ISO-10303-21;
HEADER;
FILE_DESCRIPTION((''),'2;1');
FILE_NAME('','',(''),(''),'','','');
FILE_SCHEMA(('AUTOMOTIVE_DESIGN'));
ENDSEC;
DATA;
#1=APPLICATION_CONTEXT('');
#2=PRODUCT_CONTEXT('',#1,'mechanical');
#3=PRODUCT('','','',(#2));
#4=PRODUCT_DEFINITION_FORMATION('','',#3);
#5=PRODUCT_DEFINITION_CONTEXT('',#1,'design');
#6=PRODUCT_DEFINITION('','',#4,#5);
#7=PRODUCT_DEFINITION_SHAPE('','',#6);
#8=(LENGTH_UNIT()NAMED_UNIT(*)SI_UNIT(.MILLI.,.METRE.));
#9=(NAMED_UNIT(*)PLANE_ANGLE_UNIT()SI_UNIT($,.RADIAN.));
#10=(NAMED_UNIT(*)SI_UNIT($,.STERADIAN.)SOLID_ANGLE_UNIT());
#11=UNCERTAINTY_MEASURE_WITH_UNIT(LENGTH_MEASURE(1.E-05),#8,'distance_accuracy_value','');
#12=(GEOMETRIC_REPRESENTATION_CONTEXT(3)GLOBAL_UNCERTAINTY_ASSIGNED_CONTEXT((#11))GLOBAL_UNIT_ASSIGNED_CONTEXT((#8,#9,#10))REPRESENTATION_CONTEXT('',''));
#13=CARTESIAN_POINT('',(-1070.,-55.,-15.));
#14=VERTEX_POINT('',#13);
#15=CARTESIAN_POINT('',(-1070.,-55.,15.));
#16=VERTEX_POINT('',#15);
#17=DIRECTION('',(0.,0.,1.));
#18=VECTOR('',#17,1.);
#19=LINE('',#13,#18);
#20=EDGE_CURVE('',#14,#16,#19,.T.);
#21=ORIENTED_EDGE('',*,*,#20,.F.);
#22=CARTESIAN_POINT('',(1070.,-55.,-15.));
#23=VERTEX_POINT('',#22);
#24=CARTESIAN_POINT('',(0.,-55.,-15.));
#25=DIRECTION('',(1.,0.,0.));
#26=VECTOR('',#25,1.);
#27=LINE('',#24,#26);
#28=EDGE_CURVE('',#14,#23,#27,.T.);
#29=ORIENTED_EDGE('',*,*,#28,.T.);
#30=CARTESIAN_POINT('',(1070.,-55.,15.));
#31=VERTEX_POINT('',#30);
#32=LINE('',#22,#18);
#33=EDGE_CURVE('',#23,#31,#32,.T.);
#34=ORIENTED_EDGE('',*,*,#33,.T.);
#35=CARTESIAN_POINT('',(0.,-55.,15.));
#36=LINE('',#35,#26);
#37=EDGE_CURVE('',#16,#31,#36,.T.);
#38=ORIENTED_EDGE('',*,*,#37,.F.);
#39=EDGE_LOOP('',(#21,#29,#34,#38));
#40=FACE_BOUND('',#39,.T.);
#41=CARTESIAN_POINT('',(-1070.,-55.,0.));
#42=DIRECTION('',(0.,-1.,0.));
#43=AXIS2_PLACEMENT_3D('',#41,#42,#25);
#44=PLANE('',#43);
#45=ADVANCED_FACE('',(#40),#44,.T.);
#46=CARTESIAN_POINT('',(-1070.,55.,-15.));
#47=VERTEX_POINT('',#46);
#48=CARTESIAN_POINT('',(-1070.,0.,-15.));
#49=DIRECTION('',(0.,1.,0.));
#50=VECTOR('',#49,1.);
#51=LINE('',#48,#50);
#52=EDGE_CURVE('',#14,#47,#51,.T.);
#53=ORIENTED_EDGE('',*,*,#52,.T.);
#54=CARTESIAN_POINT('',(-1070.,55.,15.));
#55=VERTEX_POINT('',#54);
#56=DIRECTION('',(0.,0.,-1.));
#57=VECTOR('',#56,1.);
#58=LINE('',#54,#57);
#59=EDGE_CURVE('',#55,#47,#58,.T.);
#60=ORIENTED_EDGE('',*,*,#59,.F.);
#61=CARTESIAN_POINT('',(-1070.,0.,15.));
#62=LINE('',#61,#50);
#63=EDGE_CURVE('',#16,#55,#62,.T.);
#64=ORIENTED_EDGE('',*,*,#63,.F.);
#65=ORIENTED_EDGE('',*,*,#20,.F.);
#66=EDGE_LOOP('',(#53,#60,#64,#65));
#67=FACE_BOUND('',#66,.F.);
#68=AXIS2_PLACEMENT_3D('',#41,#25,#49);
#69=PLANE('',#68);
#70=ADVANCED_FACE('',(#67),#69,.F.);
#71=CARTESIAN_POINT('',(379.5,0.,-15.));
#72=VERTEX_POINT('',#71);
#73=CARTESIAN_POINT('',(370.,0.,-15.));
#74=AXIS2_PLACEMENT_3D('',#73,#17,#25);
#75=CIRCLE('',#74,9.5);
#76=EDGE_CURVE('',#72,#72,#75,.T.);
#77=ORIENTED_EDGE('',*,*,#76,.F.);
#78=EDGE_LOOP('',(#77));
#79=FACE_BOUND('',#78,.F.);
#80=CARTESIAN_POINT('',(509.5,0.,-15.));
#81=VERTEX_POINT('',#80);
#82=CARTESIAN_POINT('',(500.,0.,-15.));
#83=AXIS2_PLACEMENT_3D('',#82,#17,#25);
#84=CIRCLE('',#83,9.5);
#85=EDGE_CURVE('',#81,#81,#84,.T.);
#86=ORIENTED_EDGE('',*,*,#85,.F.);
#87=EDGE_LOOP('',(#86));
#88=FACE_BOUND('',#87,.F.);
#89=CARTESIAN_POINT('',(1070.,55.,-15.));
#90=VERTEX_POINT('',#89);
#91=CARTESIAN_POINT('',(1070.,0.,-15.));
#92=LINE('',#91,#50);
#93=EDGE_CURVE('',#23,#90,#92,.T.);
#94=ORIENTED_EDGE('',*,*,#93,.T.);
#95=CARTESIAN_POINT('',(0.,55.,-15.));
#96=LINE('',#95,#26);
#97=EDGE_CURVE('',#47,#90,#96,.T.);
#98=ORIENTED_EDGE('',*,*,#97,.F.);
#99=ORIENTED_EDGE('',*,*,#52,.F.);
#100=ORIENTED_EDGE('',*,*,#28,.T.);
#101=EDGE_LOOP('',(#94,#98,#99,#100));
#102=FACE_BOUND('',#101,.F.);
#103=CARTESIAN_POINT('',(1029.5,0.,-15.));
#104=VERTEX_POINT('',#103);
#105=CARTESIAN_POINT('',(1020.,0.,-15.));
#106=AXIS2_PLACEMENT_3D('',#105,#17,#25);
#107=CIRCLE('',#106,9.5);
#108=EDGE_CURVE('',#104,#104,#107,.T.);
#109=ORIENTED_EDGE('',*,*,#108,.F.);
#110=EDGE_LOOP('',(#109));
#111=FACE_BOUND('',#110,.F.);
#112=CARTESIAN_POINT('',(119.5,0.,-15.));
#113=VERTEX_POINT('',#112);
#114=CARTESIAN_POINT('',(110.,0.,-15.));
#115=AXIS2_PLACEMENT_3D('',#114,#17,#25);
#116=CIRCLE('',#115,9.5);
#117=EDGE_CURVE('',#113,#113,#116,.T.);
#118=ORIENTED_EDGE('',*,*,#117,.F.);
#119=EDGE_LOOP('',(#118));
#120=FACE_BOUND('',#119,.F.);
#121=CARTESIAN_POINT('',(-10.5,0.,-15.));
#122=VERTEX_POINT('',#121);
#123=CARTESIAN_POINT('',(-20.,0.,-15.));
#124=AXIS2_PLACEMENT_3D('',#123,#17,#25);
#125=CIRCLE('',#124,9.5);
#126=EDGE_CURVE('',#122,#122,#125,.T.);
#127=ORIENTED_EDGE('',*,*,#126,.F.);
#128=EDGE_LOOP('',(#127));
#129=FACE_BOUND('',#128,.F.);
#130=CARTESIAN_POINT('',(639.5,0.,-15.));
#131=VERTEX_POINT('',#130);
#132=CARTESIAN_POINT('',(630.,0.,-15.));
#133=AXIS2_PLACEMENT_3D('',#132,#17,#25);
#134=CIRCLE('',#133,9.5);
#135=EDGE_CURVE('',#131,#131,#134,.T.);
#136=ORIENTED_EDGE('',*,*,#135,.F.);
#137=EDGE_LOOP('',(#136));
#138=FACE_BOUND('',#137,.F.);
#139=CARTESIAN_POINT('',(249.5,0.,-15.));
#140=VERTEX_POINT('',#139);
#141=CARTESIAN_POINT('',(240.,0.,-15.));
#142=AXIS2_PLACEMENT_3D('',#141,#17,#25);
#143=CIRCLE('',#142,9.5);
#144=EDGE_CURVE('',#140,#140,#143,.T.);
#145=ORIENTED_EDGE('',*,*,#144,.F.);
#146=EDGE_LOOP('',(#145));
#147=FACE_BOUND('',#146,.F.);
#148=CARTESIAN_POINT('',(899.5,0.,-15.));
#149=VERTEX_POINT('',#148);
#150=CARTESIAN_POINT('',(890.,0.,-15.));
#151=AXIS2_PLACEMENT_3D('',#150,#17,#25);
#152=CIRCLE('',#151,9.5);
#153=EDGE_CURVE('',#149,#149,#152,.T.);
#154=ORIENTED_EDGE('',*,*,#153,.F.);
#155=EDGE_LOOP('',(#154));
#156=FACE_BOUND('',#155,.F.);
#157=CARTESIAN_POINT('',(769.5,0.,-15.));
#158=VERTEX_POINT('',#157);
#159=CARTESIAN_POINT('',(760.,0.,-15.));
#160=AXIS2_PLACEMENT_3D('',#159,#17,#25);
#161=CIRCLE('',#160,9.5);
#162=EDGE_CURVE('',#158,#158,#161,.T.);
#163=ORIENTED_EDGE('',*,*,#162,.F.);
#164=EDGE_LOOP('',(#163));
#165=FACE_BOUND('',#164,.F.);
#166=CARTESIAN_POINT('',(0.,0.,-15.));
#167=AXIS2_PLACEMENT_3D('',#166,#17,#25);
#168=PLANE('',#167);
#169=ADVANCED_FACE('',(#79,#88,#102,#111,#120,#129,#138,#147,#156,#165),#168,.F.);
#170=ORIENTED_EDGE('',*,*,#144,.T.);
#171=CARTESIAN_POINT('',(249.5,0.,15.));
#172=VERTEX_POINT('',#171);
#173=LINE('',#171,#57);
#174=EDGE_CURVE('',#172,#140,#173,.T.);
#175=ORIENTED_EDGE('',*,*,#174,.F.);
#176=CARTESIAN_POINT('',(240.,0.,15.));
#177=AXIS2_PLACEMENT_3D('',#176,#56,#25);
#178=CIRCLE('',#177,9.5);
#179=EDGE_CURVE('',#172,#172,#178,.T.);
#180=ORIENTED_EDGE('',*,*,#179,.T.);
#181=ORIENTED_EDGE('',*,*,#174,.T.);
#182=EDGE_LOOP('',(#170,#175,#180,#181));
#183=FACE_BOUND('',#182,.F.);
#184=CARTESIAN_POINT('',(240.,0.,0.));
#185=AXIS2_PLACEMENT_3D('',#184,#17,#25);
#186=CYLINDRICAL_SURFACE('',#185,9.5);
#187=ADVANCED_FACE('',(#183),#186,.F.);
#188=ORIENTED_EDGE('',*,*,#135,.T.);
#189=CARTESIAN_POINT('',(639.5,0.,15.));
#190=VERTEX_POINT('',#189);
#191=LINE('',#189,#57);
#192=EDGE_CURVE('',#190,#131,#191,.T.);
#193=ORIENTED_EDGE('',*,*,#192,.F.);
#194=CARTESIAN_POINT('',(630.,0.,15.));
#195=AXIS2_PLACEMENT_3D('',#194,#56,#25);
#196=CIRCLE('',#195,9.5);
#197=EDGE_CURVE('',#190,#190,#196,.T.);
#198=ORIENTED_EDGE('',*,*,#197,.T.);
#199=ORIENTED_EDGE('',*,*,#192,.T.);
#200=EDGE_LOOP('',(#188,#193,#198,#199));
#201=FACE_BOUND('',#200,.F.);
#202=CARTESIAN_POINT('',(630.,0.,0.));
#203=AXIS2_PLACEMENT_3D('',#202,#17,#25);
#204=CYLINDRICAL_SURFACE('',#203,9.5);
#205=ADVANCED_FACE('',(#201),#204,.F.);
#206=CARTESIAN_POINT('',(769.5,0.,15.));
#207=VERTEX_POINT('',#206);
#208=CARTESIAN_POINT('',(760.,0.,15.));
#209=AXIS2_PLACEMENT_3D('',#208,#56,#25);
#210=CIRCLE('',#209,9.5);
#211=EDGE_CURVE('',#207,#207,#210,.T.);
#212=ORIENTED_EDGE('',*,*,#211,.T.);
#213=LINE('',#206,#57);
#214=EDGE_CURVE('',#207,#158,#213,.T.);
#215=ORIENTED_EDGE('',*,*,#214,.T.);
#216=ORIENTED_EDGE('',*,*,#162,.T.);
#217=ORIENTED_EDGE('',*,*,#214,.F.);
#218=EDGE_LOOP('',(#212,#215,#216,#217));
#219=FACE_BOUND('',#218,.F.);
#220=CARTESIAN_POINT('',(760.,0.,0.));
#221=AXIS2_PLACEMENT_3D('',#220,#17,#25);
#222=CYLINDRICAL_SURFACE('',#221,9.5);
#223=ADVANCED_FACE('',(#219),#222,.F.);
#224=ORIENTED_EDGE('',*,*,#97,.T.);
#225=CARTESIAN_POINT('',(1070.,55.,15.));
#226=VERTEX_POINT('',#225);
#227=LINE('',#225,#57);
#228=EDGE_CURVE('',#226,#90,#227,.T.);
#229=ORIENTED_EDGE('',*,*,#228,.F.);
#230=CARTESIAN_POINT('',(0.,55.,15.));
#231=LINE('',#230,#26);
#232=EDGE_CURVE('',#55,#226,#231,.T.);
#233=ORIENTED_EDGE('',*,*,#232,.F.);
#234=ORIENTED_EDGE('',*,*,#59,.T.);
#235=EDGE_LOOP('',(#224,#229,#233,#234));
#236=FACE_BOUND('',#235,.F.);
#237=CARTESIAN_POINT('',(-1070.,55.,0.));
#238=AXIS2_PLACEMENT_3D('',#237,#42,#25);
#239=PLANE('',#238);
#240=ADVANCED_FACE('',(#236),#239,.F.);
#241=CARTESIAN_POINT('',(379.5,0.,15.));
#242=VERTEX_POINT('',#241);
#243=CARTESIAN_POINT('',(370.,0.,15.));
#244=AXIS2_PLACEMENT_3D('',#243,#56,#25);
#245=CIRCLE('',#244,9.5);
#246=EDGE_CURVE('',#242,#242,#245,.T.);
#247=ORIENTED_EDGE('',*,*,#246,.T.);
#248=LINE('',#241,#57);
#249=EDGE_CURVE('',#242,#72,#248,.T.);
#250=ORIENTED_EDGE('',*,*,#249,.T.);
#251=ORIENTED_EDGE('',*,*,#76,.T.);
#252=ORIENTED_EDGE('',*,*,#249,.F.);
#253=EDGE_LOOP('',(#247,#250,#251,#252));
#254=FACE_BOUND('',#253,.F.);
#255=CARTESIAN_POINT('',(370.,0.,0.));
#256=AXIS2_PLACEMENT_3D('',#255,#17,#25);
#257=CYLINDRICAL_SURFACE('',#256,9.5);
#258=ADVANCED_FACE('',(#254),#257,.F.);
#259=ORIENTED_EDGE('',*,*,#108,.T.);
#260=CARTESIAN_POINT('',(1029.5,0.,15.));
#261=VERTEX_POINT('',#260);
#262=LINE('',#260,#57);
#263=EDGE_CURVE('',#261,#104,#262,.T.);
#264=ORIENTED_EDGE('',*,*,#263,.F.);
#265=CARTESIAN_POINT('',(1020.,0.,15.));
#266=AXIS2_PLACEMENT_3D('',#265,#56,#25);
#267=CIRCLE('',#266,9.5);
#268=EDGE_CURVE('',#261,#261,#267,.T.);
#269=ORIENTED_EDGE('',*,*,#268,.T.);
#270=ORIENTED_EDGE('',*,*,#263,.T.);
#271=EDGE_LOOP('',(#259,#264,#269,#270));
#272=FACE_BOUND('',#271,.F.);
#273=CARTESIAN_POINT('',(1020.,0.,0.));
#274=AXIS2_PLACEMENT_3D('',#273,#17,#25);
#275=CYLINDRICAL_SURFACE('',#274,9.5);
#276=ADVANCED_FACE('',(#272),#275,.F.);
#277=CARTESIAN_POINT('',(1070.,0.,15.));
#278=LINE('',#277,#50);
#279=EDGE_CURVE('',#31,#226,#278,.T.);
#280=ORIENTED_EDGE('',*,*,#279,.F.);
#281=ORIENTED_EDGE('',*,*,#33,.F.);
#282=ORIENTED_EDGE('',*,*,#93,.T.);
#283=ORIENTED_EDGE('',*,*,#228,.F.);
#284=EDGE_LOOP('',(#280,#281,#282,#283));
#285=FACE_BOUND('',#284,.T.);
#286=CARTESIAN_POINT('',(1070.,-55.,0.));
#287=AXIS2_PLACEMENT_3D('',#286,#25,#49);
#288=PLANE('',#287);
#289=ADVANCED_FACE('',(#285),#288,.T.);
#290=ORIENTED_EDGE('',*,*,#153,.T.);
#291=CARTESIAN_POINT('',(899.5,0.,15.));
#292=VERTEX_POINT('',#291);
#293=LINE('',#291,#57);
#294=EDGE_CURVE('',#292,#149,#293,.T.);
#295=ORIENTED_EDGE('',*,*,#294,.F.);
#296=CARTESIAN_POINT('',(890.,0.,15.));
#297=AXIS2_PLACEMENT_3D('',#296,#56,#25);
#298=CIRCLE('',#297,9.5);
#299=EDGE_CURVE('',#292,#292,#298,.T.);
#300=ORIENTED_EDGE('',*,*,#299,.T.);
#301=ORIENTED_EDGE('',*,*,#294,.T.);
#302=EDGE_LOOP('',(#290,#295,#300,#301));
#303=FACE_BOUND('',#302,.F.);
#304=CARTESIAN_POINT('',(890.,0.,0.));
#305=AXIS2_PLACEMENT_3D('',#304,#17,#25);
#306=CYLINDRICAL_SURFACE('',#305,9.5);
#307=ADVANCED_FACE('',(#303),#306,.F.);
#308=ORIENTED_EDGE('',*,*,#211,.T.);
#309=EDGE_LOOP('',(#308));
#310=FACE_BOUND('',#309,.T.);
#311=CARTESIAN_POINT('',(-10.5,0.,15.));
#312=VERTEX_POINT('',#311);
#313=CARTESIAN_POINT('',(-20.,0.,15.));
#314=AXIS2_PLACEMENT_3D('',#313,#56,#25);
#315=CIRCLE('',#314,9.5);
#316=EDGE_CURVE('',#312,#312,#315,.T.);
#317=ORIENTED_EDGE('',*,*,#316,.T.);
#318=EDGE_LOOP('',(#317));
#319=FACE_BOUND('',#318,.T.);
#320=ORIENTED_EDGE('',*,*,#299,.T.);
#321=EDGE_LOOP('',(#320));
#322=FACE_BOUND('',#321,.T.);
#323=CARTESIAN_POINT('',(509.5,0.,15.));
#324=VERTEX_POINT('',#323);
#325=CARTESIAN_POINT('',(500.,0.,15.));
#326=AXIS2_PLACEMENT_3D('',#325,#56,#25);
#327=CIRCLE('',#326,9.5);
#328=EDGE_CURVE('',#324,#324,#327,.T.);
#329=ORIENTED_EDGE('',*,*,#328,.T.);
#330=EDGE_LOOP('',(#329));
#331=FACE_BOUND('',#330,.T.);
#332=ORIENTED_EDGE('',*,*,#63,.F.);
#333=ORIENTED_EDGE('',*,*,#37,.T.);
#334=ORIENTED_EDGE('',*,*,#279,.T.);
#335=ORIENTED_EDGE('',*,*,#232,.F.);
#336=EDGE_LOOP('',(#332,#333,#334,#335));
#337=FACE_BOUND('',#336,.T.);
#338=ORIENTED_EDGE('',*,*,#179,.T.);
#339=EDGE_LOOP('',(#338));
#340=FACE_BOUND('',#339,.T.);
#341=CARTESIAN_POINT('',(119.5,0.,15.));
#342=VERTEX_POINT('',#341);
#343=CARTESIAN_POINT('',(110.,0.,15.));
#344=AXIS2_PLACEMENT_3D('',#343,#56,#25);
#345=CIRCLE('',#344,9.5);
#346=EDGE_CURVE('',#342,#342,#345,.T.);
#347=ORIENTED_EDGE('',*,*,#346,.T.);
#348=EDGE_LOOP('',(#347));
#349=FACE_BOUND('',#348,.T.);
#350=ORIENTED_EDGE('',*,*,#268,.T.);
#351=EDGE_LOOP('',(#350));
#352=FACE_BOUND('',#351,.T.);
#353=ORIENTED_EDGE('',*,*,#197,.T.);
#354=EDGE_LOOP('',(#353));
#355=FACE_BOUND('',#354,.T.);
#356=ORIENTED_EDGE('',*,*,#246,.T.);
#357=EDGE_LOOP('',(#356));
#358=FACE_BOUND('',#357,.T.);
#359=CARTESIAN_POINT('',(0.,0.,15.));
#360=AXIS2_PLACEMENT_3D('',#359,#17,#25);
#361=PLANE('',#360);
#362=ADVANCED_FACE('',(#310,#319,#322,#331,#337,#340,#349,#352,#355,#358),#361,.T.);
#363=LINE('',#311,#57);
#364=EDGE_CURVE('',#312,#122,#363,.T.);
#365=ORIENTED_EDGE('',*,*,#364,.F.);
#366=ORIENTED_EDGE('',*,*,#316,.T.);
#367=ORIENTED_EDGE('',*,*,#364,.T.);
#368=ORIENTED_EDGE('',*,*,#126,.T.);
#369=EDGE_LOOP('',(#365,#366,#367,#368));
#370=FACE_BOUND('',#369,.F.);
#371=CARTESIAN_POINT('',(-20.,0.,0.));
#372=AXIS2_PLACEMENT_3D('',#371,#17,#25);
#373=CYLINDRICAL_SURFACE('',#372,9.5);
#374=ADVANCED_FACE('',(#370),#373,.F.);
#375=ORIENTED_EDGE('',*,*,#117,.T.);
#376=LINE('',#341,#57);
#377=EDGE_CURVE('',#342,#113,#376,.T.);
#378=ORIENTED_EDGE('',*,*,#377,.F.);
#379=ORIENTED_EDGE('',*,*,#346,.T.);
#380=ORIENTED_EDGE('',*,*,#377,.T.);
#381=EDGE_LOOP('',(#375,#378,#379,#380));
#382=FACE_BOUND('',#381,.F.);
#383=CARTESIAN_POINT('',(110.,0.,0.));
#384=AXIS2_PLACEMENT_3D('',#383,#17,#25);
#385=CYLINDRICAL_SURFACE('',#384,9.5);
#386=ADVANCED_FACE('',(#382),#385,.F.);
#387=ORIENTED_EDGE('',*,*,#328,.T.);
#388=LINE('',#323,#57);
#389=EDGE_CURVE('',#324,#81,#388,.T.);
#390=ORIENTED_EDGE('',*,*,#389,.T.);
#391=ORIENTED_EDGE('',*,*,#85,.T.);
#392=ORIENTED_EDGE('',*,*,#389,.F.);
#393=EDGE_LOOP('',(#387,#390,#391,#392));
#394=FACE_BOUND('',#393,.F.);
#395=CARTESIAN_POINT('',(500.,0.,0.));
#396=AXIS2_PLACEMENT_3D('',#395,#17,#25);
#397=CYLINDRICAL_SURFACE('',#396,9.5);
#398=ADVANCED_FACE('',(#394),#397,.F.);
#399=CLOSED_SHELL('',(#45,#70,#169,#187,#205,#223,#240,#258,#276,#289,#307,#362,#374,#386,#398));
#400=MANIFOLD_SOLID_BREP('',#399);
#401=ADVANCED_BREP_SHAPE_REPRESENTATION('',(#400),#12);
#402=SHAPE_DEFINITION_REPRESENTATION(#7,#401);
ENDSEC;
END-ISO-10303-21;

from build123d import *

# Parameters (mm, degrees)
SKETCH_W          = 2140
SKETCH_H          = 110
PAD_DEPTH         = 15
SKETCH001_R       = 9.5
POCKET_DEPTH      = 15.001
POCKET_DEPTH_BACK = -15.001


with BuildPart() as part:
    # Sketch → Pad (new body, symmetric)
    with BuildSketch(Plane.XY):
        Rectangle(SKETCH_W, SKETCH_H)
    extrude(amount=PAD_DEPTH, both=True)

    # Sketch001 → Pocket (cut, two sides)
    with BuildSketch(Plane.XY) as pocket_sk:
        with Locations((1020, 0)):
            Circle(SKETCH001_R)
        with Locations((890, 0)):
            Circle(SKETCH001_R)
        with Locations((760, 0)):
            Circle(SKETCH001_R)
        with Locations((630, 0)):
            Circle(SKETCH001_R)
        with Locations((500, 0)):
            Circle(SKETCH001_R)
        with Locations((370, 0)):
            Circle(SKETCH001_R)
        with Locations((240, 0)):
            Circle(SKETCH001_R)
        with Locations((110, 0)):
            Circle(SKETCH001_R)
        with Locations((-20, 0)):
            Circle(SKETCH001_R)
    extrude(amount=-POCKET_DEPTH, mode=Mode.SUBTRACT)
    extrude(pocket_sk.sketch, amount=-POCKET_DEPTH_BACK, mode=Mode.SUBTRACT)


solid = part.part
